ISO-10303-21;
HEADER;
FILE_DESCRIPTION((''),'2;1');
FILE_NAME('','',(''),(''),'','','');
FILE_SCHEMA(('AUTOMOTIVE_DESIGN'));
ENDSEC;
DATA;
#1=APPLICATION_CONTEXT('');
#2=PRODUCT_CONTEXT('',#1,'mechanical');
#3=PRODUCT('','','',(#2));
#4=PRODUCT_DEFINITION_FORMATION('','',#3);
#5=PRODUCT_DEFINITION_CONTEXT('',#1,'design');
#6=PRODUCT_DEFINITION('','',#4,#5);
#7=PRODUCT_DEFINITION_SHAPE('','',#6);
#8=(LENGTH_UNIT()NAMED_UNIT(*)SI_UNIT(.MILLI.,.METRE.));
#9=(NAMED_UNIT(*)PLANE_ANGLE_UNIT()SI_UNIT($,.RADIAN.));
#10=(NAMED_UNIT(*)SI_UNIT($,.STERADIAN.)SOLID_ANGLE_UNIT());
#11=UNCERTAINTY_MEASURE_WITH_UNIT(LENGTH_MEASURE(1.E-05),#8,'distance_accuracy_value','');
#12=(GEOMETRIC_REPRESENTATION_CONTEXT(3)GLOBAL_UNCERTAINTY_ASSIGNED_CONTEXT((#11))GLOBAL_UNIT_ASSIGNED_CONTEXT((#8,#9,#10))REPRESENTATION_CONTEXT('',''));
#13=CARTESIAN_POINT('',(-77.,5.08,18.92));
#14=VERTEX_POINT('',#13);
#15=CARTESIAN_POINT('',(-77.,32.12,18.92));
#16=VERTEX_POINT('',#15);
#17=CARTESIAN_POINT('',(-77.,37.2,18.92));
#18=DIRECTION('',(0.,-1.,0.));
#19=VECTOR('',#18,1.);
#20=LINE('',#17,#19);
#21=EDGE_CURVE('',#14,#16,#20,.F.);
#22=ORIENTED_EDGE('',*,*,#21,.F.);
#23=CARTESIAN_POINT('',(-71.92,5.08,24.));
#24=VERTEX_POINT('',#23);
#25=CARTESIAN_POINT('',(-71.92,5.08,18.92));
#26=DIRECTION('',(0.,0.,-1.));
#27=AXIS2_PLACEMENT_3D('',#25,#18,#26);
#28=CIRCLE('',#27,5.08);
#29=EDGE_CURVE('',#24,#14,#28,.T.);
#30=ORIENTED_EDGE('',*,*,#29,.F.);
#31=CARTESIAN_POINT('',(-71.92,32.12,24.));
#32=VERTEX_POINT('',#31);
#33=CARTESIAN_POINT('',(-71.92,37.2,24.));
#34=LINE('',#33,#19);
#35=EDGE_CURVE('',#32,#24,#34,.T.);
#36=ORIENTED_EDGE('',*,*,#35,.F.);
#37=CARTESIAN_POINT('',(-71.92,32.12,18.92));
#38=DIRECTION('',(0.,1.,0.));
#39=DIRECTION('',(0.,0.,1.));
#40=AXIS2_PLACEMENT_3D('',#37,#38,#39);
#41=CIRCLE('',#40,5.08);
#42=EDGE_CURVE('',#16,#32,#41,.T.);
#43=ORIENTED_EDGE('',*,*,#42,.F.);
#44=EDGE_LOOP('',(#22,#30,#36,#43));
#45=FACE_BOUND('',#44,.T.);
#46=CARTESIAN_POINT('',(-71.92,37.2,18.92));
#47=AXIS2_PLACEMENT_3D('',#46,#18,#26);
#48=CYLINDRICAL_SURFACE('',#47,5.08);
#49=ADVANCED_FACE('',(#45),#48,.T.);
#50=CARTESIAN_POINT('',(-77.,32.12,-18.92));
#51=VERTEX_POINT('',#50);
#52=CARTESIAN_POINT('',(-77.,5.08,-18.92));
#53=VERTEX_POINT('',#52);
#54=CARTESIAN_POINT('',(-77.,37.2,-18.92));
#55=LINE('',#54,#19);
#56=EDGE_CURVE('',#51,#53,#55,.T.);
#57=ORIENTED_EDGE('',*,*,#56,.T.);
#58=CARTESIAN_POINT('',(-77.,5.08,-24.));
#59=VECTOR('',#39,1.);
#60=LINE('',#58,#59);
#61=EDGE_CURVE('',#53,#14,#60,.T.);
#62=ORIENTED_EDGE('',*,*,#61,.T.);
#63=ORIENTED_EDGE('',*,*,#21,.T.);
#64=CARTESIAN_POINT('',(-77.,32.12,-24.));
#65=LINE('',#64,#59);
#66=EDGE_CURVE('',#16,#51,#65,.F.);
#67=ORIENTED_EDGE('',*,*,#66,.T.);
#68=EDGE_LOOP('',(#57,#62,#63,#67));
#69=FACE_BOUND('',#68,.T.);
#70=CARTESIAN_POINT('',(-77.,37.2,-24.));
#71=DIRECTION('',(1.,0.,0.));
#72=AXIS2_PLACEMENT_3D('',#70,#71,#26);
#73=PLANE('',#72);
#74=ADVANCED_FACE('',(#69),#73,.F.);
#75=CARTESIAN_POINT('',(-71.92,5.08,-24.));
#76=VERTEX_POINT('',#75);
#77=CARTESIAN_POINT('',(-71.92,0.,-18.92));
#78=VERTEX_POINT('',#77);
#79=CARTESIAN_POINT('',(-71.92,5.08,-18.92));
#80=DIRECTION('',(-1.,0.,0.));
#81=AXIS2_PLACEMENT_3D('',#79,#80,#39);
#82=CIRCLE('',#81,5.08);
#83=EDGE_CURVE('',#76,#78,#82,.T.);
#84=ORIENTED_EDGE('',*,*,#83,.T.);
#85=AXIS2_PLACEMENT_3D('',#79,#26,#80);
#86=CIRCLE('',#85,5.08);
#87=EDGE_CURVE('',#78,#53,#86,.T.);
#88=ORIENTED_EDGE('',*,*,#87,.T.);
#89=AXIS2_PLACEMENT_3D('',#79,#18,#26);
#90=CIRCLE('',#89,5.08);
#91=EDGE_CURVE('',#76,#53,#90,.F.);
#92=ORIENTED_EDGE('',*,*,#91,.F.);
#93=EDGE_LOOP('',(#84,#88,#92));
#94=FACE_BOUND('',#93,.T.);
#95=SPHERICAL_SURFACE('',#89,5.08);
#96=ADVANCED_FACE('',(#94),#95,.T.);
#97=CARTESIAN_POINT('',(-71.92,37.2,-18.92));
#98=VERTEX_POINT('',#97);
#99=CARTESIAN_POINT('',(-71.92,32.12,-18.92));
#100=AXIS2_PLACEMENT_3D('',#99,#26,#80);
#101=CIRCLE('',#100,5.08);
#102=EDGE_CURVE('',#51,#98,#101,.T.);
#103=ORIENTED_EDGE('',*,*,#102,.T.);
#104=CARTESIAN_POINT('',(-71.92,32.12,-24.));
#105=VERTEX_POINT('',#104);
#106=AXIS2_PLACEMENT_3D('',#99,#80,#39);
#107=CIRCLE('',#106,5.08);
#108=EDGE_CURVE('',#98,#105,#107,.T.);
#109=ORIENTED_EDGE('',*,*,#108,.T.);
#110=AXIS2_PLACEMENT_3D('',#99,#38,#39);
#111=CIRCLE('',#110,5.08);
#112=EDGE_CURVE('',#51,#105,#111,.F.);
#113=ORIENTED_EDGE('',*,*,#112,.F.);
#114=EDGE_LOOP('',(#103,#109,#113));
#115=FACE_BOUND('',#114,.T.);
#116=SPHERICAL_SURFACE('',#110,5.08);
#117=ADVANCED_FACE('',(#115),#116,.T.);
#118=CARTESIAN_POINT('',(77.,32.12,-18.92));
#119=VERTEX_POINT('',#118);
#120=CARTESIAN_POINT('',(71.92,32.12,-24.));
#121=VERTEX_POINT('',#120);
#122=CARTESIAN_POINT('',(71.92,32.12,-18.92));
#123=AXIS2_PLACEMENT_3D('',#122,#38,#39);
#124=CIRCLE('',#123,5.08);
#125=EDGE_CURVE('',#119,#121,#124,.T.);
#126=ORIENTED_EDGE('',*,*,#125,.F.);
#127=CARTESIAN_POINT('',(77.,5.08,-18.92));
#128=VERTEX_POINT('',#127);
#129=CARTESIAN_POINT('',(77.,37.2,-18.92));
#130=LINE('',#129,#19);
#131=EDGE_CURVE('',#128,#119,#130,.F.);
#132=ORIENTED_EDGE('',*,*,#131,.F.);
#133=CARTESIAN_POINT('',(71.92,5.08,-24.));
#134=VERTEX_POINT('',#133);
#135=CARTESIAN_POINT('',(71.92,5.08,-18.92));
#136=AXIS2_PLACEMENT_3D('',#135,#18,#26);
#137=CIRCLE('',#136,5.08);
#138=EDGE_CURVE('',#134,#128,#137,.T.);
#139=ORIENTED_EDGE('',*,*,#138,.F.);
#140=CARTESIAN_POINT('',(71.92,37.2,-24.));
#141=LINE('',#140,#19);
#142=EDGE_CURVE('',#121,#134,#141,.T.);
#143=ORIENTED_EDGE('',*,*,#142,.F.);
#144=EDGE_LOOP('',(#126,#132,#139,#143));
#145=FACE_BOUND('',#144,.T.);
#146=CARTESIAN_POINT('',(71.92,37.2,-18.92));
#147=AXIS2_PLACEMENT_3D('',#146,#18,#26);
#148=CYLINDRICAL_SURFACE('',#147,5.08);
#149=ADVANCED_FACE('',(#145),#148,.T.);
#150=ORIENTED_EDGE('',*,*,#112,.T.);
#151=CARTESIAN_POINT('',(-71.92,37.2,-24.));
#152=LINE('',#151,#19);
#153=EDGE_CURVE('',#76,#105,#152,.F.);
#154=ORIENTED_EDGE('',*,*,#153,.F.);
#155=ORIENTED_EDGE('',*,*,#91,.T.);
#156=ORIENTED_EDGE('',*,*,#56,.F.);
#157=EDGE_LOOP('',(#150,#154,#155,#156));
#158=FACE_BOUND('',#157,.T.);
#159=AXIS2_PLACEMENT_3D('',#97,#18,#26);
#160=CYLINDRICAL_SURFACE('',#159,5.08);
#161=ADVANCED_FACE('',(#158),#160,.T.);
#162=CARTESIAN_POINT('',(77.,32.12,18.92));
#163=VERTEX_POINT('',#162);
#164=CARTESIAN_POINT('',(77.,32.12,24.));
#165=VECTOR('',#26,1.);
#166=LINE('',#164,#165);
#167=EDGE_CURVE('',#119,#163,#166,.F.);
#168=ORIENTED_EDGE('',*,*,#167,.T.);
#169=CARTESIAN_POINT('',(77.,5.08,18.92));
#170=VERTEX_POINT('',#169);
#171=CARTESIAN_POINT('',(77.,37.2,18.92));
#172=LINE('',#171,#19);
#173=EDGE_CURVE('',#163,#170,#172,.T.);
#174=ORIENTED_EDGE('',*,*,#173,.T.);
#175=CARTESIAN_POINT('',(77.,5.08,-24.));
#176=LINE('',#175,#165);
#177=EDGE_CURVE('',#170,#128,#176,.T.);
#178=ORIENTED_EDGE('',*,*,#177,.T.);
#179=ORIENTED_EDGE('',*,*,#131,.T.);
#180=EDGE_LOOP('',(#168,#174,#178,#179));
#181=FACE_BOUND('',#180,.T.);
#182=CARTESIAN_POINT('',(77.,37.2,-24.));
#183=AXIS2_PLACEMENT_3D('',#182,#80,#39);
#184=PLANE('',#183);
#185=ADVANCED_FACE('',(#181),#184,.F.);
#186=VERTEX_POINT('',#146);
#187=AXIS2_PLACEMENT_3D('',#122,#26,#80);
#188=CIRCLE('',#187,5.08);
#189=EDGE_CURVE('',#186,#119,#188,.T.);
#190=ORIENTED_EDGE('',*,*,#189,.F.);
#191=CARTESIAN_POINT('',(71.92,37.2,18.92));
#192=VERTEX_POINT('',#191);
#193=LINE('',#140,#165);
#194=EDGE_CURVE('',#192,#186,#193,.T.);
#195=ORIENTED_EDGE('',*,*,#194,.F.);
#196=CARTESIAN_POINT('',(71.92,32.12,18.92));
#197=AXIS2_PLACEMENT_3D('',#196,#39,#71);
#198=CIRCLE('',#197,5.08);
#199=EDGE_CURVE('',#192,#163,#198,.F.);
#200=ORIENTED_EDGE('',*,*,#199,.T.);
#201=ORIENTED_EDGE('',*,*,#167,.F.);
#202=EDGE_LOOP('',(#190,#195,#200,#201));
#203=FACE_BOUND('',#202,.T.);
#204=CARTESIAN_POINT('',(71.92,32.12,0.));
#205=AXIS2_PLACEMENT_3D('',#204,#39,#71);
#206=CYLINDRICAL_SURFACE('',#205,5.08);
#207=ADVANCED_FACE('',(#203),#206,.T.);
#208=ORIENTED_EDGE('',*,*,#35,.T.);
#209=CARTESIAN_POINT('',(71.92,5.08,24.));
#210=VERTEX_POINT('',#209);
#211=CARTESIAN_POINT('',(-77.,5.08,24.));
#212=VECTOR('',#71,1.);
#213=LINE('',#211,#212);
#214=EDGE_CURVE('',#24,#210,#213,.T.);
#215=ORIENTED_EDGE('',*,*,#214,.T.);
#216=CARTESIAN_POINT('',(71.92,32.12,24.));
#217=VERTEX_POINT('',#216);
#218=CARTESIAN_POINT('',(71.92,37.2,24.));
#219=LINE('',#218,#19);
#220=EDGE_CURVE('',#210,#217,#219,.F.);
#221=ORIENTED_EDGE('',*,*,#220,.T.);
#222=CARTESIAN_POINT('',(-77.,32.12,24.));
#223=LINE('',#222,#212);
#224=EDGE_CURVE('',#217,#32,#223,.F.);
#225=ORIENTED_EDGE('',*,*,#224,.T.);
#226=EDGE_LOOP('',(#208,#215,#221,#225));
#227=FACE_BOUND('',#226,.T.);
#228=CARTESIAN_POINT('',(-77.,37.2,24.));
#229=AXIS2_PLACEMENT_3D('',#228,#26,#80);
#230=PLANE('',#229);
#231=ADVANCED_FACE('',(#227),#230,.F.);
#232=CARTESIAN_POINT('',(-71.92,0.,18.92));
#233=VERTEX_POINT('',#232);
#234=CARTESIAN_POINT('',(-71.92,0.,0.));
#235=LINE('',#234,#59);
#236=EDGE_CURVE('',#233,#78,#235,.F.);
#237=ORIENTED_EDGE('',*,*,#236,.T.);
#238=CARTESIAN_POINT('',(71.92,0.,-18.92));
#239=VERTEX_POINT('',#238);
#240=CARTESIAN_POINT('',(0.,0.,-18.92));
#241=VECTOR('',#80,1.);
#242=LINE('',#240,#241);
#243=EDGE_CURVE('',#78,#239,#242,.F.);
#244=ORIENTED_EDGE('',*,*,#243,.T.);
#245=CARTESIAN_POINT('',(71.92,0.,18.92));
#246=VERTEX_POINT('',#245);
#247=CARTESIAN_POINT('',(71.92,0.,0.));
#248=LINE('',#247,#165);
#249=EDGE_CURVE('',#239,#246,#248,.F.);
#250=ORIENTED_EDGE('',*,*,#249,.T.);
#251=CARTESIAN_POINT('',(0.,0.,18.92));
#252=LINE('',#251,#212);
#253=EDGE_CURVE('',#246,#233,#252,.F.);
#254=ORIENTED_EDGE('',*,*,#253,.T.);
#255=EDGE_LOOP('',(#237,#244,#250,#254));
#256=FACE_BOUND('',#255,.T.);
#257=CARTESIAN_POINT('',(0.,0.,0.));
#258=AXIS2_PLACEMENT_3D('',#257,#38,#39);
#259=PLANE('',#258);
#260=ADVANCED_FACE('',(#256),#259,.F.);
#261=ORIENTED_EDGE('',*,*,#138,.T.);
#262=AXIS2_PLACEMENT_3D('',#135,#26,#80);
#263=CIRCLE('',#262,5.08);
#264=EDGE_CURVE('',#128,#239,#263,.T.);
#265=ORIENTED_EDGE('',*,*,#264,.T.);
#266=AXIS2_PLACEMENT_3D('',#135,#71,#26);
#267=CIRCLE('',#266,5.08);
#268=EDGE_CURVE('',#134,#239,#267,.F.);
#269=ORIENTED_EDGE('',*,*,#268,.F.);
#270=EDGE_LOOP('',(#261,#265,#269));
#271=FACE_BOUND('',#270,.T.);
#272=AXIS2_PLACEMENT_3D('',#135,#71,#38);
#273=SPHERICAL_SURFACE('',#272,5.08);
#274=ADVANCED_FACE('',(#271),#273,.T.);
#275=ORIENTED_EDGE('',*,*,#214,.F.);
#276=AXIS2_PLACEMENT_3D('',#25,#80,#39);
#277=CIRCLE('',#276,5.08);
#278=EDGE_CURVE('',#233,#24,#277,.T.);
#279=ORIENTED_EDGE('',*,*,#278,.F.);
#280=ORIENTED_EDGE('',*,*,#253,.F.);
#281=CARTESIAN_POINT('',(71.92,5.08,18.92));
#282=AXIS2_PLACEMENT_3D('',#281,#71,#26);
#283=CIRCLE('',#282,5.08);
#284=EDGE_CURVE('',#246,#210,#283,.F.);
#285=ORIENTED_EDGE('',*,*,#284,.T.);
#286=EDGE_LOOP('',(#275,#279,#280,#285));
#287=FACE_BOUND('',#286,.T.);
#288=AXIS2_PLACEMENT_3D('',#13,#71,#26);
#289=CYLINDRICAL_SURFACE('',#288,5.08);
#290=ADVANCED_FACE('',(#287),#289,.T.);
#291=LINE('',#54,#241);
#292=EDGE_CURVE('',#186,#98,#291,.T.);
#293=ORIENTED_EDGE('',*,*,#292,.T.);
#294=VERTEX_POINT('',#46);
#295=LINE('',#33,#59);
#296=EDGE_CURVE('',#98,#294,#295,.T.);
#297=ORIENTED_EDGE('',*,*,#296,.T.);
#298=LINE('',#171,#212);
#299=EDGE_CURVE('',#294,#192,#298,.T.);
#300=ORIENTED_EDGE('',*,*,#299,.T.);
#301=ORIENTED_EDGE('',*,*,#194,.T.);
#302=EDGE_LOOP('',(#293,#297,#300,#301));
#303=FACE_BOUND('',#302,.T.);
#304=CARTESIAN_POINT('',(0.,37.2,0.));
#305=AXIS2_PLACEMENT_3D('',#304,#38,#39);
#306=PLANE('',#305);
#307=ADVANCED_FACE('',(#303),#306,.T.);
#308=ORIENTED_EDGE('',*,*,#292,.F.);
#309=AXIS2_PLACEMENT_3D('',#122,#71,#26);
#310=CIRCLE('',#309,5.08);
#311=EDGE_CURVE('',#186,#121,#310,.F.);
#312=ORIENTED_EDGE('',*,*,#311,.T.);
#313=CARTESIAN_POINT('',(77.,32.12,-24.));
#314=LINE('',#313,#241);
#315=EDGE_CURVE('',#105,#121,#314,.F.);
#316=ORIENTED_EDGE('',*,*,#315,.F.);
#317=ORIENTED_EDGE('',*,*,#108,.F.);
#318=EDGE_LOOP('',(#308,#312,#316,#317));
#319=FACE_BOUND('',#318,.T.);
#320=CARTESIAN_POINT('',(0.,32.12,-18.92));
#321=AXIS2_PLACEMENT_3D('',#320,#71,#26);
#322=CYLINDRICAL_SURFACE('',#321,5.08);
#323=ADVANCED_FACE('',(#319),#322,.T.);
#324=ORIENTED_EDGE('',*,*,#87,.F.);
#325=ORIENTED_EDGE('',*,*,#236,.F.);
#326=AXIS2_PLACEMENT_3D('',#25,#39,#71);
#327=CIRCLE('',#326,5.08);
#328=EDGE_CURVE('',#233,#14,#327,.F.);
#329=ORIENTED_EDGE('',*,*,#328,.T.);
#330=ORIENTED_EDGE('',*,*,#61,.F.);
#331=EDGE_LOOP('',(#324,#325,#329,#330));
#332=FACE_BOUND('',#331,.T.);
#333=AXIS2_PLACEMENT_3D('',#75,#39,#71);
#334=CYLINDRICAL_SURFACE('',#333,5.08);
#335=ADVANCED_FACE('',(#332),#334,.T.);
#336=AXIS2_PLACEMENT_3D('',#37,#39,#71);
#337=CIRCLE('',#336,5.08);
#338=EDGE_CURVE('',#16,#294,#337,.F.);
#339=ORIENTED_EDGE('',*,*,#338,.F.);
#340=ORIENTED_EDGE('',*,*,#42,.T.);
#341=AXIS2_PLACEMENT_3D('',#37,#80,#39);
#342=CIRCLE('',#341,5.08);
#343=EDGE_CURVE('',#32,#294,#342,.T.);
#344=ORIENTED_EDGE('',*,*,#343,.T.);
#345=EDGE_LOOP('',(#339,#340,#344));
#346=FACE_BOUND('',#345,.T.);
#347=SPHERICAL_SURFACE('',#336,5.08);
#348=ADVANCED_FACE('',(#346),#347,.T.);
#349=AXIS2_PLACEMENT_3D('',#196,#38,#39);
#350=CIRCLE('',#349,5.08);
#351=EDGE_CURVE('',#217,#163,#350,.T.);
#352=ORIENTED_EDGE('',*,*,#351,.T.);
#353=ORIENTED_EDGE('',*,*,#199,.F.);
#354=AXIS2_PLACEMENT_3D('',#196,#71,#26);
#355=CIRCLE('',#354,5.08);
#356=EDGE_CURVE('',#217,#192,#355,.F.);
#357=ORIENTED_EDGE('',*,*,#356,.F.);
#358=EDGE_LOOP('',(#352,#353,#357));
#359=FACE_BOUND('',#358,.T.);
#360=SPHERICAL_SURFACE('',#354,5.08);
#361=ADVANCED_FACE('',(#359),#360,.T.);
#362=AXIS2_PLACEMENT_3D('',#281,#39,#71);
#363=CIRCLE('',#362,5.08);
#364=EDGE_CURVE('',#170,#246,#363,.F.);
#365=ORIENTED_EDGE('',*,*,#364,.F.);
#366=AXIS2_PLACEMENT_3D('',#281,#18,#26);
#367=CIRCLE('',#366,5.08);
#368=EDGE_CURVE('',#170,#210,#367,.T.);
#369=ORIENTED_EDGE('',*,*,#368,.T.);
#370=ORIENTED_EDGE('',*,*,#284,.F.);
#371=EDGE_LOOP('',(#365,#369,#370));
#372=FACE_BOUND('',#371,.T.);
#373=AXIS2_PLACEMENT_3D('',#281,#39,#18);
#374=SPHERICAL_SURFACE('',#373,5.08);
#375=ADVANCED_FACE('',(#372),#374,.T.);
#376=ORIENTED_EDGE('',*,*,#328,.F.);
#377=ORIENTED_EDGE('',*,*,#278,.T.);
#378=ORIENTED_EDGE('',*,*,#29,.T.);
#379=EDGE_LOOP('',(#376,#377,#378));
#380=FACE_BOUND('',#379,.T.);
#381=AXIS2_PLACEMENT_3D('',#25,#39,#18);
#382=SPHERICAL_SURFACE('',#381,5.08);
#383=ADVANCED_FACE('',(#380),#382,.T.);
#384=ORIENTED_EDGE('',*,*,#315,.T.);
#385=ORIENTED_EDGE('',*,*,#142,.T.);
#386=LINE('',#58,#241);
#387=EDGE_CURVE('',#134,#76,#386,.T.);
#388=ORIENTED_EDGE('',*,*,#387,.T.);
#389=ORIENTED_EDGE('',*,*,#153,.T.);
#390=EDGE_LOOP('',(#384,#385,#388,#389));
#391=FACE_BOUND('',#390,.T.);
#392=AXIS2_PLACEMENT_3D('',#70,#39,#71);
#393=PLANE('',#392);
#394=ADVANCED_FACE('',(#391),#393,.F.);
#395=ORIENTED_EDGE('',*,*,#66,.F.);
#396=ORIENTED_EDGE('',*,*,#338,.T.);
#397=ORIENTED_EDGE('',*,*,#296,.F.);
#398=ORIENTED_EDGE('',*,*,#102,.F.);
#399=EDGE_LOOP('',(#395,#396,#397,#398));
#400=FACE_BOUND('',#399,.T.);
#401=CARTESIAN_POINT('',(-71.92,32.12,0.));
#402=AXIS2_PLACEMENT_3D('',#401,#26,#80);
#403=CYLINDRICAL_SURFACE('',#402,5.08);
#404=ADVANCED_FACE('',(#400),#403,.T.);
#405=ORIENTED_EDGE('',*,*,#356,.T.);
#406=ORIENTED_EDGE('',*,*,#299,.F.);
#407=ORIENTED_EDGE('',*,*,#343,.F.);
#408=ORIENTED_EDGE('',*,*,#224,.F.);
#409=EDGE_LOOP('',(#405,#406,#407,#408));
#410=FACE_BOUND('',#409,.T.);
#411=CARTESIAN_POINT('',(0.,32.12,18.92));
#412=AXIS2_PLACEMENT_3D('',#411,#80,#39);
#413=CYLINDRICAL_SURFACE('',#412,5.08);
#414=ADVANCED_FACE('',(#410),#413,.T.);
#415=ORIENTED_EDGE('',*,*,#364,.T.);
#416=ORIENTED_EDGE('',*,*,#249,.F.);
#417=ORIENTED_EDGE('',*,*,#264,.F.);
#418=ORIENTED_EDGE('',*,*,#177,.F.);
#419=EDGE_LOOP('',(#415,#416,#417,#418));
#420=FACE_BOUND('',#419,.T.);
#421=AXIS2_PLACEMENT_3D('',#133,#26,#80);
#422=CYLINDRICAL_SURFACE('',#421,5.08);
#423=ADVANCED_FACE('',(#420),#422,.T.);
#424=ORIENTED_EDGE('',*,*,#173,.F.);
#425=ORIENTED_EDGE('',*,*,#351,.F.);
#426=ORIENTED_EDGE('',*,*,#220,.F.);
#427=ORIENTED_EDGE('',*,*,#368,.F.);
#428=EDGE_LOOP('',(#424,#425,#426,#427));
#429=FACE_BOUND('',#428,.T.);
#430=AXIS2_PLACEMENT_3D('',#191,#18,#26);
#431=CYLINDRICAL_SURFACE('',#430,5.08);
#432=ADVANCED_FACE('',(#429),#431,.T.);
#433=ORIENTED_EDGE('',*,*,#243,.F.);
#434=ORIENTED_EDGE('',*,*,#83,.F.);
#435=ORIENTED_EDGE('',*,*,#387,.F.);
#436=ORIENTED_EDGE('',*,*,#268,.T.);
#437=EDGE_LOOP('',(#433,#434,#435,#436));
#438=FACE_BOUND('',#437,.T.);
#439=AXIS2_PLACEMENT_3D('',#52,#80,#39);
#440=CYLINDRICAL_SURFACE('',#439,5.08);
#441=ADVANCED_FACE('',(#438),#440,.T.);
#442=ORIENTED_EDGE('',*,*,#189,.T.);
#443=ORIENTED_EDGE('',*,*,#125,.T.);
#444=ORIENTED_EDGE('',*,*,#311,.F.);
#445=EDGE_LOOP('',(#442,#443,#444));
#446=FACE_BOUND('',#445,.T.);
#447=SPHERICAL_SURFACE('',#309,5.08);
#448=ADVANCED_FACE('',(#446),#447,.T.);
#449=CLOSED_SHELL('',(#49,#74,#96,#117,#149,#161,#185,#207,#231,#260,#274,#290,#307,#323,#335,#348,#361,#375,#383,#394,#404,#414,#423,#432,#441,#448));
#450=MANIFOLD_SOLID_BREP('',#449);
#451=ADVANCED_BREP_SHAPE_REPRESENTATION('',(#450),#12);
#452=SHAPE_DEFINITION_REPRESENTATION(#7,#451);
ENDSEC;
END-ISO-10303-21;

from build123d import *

# Parameters (mm, degrees)
SKETCH1_W           = 154
SKETCH1_H           = 48
BOSS_EXTRUDE1_DEPTH = 37.2
FILLET1_R           = 5.08


with BuildPart() as part:
    # Sketch1 → Boss-Extrude1 (new body)
    with BuildSketch(Plane(origin=(0, 0, 0), x_dir=(1, 0, 0), z_dir=(0, 1, 0))):
        Rectangle(SKETCH1_W, SKETCH1_H)
    extrude(amount=BOSS_EXTRUDE1_DEPTH)

    # Fillet1
    fillet1_edges = [part.edges().sort_by_distance(p)[0] for p in [
        (-77, 37.2, 0),
        (0, 37.2, 24),
        (77, 37.2, 0),
        (0, 0, 24),
        (-77, 0, 0),
        (0, 0, -24),
        (77, 0, 0),
        (77, 18.6, 24),
        (-77, 18.6, 24),
        (-77, 18.6, -24),
        (77, 18.6, -24),
        (0, 37.2, -24),
    ]]
    fillet(fillet1_edges, radius=FILLET1_R)


solid = part.part
